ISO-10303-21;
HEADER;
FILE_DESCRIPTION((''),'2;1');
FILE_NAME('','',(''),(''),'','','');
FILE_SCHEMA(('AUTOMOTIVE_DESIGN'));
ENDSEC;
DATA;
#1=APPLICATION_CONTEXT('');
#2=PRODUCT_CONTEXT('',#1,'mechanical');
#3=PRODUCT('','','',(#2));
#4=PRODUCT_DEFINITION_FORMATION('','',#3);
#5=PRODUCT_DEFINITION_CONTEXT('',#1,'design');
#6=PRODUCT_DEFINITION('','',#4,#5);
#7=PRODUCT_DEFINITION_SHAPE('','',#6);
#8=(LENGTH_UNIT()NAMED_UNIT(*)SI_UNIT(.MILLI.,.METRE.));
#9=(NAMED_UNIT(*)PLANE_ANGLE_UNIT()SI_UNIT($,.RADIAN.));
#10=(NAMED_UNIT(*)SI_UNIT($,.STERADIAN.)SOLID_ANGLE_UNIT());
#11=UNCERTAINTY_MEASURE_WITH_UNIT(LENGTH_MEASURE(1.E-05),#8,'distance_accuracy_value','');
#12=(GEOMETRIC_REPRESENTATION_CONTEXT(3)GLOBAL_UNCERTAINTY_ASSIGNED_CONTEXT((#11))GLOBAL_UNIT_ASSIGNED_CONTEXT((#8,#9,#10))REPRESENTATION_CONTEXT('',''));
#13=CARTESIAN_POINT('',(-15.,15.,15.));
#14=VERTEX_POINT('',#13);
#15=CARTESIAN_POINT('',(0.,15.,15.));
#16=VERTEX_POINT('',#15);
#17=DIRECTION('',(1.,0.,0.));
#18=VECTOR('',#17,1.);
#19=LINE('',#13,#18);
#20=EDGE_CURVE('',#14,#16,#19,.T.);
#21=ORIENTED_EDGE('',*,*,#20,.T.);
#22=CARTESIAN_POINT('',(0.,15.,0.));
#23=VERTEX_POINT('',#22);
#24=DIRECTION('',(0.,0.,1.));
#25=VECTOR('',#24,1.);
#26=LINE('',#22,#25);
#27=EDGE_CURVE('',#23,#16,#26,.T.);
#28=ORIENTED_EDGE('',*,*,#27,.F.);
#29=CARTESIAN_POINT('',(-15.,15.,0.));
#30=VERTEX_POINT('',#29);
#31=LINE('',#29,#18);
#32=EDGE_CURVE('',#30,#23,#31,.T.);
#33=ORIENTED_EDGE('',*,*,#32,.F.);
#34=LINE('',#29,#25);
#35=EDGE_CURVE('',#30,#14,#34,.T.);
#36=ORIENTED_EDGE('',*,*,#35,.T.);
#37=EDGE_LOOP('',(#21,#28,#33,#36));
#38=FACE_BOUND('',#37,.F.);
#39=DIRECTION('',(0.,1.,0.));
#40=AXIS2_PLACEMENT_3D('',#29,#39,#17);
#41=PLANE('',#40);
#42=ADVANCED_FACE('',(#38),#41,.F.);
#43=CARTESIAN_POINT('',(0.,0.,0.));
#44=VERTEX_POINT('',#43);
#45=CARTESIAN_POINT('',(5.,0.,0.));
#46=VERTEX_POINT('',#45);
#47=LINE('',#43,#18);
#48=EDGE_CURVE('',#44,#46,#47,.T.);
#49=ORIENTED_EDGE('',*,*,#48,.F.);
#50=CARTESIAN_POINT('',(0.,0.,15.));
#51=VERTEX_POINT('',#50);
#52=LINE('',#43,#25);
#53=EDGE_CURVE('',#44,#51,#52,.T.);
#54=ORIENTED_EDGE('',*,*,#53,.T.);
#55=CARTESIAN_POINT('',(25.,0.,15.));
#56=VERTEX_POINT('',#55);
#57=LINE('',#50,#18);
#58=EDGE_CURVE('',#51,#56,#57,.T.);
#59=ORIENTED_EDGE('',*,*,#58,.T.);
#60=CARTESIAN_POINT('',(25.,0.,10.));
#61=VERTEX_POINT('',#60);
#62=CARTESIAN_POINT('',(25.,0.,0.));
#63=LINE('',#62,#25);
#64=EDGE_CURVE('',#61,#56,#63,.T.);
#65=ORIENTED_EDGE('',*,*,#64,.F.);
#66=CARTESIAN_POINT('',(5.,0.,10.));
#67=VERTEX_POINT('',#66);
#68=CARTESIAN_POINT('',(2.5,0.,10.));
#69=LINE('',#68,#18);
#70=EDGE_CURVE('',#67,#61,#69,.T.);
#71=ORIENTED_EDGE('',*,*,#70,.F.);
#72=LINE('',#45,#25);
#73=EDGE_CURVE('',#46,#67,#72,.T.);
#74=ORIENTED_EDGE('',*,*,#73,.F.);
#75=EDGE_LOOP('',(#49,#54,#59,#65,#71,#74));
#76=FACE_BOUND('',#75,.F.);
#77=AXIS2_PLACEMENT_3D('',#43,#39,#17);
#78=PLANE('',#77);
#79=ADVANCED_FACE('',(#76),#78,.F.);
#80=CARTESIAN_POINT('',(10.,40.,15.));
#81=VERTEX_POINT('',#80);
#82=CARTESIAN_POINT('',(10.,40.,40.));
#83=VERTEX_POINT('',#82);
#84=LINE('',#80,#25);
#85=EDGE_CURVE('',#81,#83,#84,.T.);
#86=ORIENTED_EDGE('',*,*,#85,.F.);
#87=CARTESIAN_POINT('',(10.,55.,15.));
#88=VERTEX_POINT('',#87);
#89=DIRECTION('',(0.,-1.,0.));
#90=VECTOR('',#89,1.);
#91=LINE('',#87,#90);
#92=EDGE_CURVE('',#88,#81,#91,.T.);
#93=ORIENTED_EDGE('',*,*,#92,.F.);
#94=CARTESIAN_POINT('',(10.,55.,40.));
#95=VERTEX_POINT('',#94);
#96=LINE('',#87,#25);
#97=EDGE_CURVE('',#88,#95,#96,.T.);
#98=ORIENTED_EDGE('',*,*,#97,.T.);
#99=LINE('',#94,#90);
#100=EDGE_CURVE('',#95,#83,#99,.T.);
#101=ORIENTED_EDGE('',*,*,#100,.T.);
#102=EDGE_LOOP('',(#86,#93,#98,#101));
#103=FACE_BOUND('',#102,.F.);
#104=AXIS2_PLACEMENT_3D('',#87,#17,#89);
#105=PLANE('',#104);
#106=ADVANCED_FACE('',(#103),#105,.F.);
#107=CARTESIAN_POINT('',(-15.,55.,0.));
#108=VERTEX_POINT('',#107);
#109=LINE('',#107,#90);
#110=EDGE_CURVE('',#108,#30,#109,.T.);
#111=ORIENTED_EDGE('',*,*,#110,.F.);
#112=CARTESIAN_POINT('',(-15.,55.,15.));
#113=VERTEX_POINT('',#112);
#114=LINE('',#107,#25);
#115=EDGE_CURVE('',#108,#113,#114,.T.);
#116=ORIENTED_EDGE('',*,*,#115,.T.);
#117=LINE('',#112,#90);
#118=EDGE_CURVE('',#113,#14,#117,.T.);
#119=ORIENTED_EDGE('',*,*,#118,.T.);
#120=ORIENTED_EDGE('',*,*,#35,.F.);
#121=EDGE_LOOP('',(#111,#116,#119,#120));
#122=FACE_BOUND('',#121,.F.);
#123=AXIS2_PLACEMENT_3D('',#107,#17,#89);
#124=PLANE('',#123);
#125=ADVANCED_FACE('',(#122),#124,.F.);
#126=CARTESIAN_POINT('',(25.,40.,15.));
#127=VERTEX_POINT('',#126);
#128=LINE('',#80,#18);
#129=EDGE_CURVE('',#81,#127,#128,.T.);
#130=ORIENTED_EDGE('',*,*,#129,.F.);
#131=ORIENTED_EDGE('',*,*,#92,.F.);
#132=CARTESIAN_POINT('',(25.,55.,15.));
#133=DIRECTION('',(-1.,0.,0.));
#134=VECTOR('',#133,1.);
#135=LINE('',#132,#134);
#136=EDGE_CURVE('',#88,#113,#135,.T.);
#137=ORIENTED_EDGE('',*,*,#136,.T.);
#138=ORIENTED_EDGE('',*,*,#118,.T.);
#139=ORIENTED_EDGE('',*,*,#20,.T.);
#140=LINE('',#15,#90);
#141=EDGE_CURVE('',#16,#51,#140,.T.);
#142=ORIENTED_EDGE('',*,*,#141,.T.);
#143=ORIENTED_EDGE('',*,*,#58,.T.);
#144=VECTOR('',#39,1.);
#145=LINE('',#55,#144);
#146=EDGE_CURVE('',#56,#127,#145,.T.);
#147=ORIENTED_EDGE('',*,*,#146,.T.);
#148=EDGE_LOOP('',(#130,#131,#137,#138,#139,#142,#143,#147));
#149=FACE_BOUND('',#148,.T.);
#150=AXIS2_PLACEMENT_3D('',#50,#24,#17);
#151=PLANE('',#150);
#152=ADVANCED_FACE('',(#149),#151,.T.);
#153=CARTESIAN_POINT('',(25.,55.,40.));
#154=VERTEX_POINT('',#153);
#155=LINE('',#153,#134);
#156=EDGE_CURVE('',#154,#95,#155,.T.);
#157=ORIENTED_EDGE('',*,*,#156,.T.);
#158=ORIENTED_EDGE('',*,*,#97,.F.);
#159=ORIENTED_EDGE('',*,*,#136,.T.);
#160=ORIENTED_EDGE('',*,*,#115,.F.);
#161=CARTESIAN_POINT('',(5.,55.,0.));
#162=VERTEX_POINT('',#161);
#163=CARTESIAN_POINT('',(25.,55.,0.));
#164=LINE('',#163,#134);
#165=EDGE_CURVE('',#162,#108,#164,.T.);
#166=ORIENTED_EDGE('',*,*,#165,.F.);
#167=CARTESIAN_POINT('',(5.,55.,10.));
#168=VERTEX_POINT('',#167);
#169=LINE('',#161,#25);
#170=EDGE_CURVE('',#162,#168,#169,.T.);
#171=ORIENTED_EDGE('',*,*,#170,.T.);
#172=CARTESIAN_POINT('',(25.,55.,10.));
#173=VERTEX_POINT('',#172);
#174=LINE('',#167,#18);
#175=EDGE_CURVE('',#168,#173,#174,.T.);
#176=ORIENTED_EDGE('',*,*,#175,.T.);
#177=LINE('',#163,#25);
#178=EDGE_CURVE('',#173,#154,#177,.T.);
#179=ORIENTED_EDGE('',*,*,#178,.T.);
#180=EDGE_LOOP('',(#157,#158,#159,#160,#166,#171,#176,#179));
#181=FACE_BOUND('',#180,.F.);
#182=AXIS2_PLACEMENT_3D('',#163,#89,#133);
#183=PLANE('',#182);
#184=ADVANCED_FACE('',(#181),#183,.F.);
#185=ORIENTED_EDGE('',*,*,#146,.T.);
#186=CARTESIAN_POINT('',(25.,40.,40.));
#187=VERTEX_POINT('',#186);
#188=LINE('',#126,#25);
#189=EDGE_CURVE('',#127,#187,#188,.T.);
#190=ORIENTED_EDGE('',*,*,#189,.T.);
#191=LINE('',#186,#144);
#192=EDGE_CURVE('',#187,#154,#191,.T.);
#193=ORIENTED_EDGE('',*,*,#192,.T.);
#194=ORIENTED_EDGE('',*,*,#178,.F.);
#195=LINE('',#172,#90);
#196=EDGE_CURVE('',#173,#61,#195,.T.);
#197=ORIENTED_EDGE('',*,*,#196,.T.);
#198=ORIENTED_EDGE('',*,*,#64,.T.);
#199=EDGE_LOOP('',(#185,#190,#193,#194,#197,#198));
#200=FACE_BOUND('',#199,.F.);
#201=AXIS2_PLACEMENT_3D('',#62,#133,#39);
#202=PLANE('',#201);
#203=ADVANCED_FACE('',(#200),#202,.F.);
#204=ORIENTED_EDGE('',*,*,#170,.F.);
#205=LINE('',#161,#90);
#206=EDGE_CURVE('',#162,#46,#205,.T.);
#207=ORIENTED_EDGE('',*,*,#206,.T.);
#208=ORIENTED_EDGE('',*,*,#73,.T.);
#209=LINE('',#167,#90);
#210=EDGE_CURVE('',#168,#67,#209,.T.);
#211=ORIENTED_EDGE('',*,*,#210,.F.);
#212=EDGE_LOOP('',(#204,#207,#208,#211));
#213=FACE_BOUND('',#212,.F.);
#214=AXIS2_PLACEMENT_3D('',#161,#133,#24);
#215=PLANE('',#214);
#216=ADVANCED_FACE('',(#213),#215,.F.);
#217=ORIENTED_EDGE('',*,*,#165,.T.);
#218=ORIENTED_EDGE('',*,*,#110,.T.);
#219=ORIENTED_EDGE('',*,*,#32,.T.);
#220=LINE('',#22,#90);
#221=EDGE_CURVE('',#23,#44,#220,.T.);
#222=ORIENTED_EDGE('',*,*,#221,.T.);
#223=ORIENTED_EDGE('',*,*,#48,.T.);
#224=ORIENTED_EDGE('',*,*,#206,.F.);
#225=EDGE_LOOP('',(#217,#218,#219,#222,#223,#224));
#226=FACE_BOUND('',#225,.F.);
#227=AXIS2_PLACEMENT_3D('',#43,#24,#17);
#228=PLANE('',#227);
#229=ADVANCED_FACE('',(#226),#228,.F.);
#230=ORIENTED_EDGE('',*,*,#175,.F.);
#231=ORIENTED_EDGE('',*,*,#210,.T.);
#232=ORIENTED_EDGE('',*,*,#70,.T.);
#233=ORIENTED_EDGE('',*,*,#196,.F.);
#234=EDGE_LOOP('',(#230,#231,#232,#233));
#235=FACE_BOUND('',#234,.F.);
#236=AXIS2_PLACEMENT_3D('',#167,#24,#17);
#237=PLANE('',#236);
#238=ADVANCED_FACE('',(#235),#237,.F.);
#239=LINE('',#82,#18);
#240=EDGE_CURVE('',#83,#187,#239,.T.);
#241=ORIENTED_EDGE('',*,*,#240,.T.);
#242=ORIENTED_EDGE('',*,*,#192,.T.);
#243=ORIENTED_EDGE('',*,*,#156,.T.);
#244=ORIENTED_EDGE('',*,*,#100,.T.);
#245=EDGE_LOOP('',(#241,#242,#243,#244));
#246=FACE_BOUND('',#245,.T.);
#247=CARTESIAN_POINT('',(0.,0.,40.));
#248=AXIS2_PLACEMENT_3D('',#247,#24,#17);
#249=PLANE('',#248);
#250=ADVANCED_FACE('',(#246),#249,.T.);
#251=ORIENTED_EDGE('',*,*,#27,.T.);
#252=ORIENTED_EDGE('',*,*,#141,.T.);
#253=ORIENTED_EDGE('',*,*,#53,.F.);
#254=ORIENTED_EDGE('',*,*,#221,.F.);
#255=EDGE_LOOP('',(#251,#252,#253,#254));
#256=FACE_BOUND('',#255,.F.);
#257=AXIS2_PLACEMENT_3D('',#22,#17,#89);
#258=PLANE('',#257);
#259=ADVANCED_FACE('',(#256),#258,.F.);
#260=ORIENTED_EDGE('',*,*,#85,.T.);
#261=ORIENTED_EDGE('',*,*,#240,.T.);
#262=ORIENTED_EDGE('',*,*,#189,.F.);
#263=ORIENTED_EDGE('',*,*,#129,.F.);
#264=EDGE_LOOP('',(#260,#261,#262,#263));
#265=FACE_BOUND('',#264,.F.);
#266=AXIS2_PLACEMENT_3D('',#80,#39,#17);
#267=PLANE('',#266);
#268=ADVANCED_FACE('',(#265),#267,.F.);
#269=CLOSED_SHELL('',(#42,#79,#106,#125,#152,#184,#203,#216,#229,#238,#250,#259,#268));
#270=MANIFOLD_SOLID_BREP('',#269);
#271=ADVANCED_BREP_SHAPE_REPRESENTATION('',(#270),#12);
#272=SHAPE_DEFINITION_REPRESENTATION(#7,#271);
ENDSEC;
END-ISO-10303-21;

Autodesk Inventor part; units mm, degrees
ref_plane "YZ Plane" through (0, 0, 0) normal (1, 0, 0) x (0, 1, 0)
ref_plane "XZ Plane" through (0, 0, 0) normal (0, 1, 0) x (-1, 0, 0)
ref_plane "XY Plane" through (0, 0, 0) normal (0, 0, 1) x (1, 0, 0)
sketch "Náčrt3" plane through (0, 0, 0) normal (0, 0, 1) x (1, 0, 0)
  line L0 (0, 0) -> (25, 0)
  line L1 (25, 0) -> (25, 55)
  line L2 (25, 55) -> (-15, 55)
  line L3 (-15, 55) -> (-15, 15)
  line L4 (-15, 15) -> (0, 15)
  line L5 (0, 15) -> (0, 0)
  dimension "d7" = 25
  dimension "d8" = 55
  dimension "d9" = 40
  dimension "d10" = 40
  dimension "d11" = 15
extrude "Vysunutí2" add sketch "Náčrt3" along normal blind 15
sketch "Náčrt4" plane through (0, 0, 15) normal (0, 0, 1) x (1, 0, 0)
  line L0 (25, 55) -> (-15, 55) projected
  line L1 (25, 55) -> (10, 55)
  line L2 (10, 55) -> (10, 40)
  line L3 (10, 40) -> (25, 40)
  line L4 (25, 40) -> (25, 55)
  point P0 (0, 0)
  dimension "d14" = 15
  dimension "d15" = 15
extrude "Vysunutí3" add sketch "Náčrt4" along normal blind 25
sketch "Náčrt5" plane through (-15, 55, 0) normal (0, 1, 0) x (1, 0, 0)
  point P0 (15, 0)
sketch "Náčrt6" plane through (-15, 55, 0) normal (0, 1, 0) x (1, 0, 0)
  line L0 (40, 0) -> (0, 0) projected
  line L1 (40, 0) -> (20, 0)
  line L2 (20, 0) -> (20, -10)
  line L3 (20, -10) -> (40, -10)
  line L4 (40, -10) -> (40, 0)
  point P0 (15, 0)
  dimension "d18" = 20
  dimension "d19" = 10
extrude "Vysunutí4" cut sketch "Náčrt6" against normal through all
properties part number "Součást1"
